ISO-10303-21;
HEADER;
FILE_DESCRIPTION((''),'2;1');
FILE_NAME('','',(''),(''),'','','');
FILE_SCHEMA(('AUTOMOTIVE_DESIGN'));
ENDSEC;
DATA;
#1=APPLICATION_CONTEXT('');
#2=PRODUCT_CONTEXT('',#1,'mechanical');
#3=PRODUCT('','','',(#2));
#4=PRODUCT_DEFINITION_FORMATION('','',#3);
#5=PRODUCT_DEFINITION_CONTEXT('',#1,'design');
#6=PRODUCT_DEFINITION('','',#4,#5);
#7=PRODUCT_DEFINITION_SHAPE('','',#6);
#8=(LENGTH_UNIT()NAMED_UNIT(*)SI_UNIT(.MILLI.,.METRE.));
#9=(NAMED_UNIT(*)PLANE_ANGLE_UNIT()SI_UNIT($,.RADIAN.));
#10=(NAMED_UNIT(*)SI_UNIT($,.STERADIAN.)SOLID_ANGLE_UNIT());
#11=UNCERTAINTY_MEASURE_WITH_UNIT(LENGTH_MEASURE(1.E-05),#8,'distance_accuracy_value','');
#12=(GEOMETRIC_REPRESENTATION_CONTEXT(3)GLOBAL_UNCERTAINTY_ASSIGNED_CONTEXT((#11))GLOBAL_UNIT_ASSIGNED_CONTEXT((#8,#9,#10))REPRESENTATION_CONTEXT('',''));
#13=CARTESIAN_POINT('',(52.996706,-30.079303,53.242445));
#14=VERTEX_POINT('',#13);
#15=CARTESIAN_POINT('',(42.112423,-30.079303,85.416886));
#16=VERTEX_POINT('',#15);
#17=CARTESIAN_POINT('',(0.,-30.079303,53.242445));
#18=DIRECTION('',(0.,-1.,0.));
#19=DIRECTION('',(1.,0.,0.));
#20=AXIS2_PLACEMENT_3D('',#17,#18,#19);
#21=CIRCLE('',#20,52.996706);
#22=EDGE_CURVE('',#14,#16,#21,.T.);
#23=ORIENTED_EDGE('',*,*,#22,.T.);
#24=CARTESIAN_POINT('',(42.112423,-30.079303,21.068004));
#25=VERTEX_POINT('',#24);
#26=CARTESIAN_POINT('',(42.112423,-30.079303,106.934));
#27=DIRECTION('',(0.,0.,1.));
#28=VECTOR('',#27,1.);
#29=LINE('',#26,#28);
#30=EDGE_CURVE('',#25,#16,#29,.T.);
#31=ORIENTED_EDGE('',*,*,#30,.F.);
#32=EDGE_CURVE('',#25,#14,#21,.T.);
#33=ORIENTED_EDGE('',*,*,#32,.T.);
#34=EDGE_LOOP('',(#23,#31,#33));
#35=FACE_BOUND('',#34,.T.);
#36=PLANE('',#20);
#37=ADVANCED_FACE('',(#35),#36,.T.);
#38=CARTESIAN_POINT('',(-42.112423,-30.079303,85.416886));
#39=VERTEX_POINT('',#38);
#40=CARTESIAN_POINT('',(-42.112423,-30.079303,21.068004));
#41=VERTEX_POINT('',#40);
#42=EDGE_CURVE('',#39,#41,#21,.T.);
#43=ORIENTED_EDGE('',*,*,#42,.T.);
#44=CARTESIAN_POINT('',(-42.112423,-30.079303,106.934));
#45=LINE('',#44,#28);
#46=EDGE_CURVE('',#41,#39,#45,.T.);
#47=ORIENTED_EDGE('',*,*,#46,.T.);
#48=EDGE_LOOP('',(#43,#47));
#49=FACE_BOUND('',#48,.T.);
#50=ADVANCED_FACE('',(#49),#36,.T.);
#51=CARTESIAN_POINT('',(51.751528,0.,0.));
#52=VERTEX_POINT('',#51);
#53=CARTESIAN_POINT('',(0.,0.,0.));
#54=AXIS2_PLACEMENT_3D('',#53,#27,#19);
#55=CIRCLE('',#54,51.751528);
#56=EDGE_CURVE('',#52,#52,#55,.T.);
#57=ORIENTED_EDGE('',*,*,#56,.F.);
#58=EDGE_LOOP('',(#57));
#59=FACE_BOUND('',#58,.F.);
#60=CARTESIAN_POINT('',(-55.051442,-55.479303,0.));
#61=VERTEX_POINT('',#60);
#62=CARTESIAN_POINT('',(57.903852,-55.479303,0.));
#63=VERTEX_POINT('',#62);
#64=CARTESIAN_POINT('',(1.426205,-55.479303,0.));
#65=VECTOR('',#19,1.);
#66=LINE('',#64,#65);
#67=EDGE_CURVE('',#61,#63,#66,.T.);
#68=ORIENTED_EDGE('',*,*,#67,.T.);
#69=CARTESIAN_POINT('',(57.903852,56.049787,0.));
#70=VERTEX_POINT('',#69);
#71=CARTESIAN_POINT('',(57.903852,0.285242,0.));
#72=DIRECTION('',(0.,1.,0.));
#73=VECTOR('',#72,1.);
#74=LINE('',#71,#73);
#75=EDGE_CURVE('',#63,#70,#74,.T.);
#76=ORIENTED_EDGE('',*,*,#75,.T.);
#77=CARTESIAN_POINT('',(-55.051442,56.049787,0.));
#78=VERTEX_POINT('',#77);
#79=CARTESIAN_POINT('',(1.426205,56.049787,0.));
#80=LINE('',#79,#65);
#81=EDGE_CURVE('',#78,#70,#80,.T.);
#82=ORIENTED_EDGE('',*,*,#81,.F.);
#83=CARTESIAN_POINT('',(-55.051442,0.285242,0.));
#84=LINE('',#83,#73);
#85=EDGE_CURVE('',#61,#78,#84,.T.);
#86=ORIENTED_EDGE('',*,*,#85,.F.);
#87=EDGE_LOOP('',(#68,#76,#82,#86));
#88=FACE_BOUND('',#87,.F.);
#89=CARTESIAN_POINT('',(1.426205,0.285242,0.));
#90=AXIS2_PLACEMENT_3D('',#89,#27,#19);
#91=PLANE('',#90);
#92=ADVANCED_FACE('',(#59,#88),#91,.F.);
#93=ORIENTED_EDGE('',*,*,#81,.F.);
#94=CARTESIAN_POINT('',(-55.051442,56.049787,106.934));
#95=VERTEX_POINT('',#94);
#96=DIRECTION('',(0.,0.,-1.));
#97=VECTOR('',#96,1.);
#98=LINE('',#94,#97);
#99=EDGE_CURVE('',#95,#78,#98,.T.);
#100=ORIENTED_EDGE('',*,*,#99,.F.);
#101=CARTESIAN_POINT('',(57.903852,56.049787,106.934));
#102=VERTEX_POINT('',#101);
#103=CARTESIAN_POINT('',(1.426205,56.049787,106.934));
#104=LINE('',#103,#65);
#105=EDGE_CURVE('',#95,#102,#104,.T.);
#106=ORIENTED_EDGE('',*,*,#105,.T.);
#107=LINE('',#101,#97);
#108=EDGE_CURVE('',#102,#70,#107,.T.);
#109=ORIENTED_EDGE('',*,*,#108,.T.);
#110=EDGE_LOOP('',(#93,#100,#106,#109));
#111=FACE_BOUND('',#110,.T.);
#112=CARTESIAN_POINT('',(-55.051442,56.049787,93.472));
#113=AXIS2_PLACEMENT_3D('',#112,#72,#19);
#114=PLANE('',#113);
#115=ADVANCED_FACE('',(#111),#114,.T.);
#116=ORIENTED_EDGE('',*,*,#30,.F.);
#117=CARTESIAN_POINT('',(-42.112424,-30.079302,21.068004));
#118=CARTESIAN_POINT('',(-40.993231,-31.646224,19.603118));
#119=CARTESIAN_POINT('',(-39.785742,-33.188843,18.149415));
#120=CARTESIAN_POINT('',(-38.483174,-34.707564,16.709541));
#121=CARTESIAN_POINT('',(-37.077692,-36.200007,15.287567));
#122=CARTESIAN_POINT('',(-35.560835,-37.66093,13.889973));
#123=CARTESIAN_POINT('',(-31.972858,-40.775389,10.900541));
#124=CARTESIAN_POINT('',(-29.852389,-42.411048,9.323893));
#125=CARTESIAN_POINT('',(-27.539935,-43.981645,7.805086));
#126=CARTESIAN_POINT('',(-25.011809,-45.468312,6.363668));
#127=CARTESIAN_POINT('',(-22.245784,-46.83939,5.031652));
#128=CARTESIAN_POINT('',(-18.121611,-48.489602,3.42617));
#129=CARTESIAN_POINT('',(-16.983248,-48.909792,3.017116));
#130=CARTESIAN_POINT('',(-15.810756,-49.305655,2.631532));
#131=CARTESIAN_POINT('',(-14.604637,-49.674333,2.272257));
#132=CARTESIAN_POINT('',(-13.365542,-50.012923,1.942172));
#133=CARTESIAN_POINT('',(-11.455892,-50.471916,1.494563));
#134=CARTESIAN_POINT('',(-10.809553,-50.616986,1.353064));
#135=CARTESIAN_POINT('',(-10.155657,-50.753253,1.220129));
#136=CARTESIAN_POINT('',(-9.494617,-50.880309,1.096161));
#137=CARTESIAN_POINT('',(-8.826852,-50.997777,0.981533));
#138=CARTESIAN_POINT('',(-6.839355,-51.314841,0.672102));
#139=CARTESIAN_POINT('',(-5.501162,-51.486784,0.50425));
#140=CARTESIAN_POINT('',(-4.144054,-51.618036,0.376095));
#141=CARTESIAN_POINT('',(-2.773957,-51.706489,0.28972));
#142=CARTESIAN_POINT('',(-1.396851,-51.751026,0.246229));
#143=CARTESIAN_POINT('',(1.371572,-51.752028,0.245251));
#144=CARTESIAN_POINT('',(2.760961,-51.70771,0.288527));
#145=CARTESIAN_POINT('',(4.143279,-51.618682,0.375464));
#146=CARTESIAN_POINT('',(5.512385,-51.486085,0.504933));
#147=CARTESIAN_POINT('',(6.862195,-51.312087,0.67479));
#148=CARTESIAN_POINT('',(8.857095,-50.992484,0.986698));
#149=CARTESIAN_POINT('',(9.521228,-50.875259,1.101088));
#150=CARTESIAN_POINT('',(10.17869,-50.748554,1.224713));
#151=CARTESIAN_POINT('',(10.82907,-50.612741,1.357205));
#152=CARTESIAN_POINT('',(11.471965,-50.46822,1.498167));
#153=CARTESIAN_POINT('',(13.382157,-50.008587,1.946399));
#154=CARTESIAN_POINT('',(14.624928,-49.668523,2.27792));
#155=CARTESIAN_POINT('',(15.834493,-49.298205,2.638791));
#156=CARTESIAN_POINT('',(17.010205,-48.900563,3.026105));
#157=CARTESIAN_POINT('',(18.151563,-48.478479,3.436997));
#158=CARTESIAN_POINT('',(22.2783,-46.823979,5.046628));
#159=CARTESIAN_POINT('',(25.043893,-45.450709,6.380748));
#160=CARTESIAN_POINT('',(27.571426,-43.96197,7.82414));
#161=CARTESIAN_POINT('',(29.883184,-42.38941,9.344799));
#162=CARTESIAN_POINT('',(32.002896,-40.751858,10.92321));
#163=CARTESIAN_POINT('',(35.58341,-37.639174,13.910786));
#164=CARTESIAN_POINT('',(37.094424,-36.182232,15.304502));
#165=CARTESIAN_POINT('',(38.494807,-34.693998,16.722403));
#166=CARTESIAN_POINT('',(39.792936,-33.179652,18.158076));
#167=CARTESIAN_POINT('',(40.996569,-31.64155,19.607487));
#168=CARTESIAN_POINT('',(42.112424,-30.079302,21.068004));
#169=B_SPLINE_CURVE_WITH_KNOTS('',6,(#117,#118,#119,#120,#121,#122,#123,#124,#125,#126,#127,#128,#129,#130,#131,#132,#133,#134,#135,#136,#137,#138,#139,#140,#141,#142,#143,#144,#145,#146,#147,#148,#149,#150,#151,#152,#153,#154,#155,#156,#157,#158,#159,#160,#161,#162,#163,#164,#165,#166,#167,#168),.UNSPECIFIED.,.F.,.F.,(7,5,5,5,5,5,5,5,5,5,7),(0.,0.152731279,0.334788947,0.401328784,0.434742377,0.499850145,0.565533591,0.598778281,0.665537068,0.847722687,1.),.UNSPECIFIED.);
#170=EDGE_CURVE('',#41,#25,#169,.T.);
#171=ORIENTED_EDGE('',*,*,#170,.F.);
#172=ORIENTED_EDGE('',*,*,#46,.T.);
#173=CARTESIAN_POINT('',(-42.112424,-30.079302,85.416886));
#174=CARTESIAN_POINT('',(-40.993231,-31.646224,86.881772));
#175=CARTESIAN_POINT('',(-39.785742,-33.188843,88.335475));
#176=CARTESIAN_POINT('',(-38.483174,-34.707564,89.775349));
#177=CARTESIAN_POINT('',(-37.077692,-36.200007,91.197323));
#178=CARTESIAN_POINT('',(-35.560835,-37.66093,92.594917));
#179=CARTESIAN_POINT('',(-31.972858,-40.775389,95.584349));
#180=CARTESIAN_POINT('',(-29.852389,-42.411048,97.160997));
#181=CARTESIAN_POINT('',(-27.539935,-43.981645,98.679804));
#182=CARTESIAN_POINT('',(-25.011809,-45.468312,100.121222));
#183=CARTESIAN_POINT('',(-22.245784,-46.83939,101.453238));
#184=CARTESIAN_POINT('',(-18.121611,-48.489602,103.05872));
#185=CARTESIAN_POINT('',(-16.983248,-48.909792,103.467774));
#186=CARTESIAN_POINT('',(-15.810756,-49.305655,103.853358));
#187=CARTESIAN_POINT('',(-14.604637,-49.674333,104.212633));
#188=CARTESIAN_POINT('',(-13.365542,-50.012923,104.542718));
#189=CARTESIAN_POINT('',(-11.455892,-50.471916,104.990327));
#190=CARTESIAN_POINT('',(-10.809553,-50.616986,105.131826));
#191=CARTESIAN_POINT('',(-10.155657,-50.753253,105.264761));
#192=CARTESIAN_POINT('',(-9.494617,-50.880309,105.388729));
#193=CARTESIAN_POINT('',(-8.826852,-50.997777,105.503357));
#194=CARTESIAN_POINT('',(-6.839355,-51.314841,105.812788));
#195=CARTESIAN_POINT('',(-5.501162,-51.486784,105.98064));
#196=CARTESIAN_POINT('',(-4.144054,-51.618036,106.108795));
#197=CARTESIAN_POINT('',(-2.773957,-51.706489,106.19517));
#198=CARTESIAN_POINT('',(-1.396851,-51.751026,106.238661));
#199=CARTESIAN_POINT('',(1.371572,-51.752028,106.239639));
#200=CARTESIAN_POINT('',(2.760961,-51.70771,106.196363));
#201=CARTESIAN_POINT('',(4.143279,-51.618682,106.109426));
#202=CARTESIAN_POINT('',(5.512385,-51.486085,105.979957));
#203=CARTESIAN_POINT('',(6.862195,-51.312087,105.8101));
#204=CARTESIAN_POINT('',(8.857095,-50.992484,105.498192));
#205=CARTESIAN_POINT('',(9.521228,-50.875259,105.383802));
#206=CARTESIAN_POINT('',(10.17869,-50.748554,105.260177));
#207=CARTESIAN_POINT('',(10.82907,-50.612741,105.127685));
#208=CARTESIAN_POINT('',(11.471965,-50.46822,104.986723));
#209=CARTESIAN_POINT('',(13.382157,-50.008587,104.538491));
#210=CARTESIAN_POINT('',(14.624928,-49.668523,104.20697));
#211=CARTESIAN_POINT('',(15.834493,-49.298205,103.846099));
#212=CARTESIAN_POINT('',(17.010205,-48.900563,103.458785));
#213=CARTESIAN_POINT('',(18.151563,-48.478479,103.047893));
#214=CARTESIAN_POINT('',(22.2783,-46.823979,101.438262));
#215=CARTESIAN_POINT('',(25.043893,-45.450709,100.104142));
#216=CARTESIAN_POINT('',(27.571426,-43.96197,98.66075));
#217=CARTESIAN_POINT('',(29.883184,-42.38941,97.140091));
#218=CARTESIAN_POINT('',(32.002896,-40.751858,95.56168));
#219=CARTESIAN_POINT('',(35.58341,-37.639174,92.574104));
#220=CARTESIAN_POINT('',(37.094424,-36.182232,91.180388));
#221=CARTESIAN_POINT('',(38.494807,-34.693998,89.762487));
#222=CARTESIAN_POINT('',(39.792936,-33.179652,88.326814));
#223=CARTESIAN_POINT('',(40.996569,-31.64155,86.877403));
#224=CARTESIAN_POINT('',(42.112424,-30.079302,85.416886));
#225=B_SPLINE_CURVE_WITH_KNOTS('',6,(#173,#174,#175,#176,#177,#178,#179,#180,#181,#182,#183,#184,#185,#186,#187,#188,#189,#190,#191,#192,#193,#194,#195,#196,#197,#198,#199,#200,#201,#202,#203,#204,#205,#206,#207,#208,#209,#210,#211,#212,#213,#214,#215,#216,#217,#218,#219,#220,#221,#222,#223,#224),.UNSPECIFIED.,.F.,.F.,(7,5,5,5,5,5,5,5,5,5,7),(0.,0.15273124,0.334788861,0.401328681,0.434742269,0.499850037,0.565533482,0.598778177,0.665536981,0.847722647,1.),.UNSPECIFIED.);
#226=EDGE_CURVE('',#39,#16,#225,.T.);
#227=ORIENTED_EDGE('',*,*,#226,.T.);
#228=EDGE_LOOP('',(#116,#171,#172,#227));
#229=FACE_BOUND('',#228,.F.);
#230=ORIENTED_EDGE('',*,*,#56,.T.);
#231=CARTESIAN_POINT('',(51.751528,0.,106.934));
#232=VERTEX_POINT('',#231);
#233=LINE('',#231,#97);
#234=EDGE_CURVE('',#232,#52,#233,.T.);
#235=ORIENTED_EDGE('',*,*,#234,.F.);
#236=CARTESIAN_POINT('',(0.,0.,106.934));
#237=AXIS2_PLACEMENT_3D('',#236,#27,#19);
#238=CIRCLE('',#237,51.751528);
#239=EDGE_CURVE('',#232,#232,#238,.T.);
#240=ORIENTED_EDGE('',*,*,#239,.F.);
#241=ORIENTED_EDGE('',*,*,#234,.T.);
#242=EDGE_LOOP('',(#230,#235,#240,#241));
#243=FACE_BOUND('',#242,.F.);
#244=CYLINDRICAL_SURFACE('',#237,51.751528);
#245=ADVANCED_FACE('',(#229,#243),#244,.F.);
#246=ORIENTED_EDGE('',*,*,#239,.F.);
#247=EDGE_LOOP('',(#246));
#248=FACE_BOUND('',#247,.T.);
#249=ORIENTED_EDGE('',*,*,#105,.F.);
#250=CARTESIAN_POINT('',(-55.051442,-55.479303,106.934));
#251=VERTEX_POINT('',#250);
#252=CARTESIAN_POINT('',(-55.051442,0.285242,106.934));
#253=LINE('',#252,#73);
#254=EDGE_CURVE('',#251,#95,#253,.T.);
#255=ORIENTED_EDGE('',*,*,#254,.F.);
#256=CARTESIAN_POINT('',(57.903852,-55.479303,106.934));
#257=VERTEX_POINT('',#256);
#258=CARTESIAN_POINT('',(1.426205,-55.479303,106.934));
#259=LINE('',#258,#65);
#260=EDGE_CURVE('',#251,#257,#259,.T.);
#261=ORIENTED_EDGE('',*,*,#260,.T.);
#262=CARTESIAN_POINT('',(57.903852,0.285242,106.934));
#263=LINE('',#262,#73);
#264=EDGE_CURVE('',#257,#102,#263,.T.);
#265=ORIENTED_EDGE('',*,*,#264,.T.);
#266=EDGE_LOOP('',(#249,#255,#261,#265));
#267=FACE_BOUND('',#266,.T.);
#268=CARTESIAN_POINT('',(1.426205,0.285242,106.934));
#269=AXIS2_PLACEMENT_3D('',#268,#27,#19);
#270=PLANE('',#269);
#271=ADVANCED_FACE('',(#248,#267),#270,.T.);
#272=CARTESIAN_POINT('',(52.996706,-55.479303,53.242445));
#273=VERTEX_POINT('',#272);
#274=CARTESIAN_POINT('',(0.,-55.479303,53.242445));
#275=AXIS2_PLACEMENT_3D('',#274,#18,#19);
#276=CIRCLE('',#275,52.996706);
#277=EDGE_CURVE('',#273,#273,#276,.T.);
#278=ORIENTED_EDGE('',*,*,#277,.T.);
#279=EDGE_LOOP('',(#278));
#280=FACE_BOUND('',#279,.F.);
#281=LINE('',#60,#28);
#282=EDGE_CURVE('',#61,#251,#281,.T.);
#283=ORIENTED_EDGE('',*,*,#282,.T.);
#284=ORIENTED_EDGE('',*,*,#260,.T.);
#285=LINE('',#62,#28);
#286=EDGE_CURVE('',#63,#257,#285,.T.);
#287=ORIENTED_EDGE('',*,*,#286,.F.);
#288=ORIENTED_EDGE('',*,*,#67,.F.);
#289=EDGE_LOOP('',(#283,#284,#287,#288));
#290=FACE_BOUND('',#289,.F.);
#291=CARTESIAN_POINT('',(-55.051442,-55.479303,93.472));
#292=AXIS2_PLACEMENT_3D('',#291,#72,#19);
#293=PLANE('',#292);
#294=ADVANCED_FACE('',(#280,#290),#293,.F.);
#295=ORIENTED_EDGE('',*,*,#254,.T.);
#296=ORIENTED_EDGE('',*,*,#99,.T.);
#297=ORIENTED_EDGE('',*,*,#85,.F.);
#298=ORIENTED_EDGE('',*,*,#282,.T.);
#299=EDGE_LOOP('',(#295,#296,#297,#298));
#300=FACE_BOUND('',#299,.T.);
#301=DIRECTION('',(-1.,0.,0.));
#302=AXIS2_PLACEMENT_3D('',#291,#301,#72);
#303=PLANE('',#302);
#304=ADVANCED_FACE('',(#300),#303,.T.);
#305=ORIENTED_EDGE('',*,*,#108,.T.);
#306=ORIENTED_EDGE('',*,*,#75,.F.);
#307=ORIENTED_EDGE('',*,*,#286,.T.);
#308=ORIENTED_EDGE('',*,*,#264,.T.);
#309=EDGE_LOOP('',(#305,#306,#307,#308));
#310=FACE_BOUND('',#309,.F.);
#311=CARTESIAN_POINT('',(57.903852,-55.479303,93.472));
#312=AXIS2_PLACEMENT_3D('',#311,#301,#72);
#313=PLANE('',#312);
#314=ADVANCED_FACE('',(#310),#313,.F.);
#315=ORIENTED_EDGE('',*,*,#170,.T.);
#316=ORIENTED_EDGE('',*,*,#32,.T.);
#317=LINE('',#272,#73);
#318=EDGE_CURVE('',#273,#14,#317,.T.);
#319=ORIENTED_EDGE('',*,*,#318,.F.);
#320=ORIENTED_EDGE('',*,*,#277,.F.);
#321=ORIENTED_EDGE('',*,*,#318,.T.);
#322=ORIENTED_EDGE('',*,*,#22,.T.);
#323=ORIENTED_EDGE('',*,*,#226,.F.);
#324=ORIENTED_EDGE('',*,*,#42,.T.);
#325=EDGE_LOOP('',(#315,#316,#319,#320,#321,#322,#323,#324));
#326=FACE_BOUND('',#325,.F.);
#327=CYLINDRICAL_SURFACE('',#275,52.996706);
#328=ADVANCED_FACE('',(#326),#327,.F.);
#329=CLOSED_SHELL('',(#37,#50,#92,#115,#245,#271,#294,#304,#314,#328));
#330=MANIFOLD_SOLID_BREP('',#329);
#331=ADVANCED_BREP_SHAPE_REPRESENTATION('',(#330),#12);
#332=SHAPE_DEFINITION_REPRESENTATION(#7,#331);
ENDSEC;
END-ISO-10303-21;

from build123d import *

# Parameters (mm, degrees)
F0_W     = 112.955294
F0_H     = 111.52909
F1_DEPTH = 93.472
F2_W     = 112.955294
F2_H     = 111.52909
F3_DEPTH = 13.462
F4_R     = 51.751528
F5_DEPTH = 131.318
F6_R     = 52.996706
F7_DEPTH = 25.4


with BuildPart() as f1:
    # F0 (on Top) → F1 (new body)
    with BuildSketch(Plane.XY):
        with Locations((1.426205, 0.285242)):
            Rectangle(F0_W, F0_H)
    extrude(amount=F1_DEPTH)

    # F2 (on face) → F3 (join)
    with BuildSketch(Plane.XY.offset(93.472)):
        with Locations((1.426205, 0.285242)):
            Rectangle(F2_W, F2_H)
    extrude(amount=F3_DEPTH)

    # F4 (on face) → F5 (cut)
    with BuildSketch(Plane.XY.offset(106.934)):
        Circle(F4_R)
    extrude(amount=-F5_DEPTH, mode=Mode.SUBTRACT)

    # F6 (on face) → F7 (cut)
    with BuildSketch(Plane.XZ.offset(55.479303)):
        with Locations((0, 53.242445)):
            Circle(F6_R)
    extrude(amount=-F7_DEPTH, mode=Mode.SUBTRACT)


solid = f1.part
